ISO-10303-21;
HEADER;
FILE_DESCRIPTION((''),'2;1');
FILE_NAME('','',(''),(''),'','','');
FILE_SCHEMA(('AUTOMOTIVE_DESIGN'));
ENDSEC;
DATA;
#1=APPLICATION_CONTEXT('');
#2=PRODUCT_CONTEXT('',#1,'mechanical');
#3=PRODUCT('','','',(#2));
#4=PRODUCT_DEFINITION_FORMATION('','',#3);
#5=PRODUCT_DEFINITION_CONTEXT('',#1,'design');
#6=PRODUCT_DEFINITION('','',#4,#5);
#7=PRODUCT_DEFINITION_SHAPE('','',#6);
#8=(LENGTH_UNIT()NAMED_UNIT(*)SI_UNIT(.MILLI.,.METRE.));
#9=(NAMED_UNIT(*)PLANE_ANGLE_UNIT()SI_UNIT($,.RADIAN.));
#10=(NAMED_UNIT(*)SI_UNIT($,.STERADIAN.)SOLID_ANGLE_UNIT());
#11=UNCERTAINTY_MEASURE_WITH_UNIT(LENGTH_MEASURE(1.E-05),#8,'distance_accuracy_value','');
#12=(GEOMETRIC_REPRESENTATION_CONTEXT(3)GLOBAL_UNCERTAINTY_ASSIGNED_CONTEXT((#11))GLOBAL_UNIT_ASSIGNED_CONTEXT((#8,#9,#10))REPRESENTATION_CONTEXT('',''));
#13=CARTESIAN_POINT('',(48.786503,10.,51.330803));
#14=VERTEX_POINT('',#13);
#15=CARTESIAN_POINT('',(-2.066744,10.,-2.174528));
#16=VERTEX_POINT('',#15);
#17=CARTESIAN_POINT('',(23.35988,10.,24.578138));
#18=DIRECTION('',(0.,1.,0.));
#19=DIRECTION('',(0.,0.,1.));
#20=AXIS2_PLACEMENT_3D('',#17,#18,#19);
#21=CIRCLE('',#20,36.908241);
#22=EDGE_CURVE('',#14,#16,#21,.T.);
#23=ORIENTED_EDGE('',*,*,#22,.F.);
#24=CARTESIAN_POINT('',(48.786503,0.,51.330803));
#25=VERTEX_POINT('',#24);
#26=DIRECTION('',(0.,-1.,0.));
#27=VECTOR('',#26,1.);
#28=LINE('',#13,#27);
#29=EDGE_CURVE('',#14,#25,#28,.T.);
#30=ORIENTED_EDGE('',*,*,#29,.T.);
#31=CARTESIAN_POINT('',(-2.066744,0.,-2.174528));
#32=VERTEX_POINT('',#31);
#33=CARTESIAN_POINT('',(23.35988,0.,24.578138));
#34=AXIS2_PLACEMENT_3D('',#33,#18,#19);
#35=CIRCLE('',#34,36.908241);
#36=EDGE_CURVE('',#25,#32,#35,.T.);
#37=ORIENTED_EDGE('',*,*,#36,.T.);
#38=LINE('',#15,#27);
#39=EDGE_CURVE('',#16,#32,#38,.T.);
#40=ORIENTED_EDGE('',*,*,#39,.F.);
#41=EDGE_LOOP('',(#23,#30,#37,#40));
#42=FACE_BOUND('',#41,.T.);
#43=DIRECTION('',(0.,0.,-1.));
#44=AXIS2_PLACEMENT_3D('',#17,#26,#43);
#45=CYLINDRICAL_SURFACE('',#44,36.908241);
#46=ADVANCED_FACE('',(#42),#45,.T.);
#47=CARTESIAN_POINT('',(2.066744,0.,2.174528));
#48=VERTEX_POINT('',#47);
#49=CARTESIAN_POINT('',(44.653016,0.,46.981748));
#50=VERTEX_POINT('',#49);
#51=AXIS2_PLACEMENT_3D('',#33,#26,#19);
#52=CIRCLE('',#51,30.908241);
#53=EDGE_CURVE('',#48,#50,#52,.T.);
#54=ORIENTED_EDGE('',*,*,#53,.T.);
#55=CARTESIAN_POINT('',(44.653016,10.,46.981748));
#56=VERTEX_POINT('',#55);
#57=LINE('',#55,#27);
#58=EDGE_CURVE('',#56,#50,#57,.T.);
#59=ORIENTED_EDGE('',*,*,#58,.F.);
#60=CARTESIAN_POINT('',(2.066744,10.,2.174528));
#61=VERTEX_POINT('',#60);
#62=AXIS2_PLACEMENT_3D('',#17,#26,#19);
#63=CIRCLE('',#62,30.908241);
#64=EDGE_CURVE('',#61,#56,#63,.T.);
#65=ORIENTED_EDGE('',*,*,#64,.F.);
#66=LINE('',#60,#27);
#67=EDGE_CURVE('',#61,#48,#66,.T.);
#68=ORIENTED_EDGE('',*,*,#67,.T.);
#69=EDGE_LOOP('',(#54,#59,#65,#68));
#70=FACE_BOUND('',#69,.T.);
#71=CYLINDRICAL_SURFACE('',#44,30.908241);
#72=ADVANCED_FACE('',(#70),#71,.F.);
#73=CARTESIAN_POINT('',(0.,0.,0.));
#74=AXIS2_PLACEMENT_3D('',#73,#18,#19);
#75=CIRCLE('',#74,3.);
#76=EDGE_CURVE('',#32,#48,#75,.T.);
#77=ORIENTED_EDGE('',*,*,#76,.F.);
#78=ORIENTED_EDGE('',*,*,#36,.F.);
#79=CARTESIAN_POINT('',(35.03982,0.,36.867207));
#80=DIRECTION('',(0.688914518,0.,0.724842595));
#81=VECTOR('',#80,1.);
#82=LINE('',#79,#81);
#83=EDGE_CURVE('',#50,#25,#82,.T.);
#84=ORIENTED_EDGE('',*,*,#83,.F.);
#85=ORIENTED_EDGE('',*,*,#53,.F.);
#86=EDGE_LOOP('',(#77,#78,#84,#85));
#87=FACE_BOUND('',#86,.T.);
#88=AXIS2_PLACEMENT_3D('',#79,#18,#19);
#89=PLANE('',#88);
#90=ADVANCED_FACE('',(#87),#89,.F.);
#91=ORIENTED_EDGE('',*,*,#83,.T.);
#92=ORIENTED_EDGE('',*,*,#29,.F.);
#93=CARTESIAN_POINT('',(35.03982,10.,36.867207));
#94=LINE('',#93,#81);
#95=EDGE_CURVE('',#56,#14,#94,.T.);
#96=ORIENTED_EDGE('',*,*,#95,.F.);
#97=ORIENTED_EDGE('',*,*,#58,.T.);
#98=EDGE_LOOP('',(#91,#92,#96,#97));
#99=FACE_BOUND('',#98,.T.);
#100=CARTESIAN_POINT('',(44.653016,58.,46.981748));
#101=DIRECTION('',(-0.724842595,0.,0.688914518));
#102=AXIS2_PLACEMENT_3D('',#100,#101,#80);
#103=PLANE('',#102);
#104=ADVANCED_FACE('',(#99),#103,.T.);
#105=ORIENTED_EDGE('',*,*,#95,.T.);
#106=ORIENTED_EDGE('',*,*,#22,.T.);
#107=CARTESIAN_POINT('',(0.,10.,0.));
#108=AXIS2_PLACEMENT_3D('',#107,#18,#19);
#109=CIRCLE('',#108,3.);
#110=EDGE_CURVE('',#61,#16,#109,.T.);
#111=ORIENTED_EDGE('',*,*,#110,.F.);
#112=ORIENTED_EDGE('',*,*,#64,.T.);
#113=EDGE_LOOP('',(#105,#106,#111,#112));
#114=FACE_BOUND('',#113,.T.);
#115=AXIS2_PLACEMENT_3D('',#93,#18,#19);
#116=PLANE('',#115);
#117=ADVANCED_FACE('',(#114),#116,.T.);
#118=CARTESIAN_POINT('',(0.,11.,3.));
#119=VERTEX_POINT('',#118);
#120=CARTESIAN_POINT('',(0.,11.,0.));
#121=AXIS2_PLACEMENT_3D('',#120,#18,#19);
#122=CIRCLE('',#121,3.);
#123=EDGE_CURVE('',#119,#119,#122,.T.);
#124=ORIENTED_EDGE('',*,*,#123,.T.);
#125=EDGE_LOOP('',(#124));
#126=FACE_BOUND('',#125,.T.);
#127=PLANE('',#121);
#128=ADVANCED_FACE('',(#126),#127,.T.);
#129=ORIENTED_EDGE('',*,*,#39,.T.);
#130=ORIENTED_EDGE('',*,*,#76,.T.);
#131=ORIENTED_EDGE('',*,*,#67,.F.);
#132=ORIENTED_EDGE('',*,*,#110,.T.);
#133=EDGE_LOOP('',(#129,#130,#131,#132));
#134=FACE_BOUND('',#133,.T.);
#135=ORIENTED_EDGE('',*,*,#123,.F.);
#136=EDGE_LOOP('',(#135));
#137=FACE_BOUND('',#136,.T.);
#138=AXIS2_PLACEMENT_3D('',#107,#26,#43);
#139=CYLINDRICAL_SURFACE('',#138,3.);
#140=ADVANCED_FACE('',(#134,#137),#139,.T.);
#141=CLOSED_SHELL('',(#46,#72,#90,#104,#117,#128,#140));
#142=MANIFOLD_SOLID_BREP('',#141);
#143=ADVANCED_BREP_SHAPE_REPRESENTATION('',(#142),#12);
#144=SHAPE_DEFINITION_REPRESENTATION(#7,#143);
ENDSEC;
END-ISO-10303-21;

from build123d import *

# Parameters (mm, degrees)
BOSS_EXTRUDE8_DEPTH     = 10
SKETCH17_R              = 3
BOSS_EXTRUDE9_DEPTH     = 1
CUT_EXTRUDE3_DEPTH      = 48
CUT_EXTRUDE3_DEPTH_BACK = 52


with BuildPart() as part:
    # Sketch15 → Boss-Extrude8 (new body)
    with BuildSketch(Plane(origin=(0, 0, 0), x_dir=(1, 0, 0), z_dir=(0, 1, 0))):
        with BuildLine():
            ThreePointArc((48.786503152, -51.330803164), (50.112545273, 0.848485663), (-2.066743554, 2.174527784))
            ThreePointArc((-2.066743554, 2.174527784), (-2.174527784, -2.066743554), (2.066743554, -2.174527784))
            ThreePointArc((2.066743554, -2.174527784), (45.763489705, -3.285001446), (44.653016043, -46.981747597))
            ThreePointArc((44.653016043, -46.981747597), (44.545231814, -51.223018935), (48.786503152, -51.330803164))
        make_face()
    extrude(amount=BOSS_EXTRUDE8_DEPTH)

    # Sketch17 → Boss-Extrude9 (add)
    with BuildSketch(Plane(origin=(0, 10, 0), x_dir=(1, 0, 0), z_dir=(0, 1, 0))):
        with Locations(Location((0, 0, 0), (0, 0, 133.544244871))):
            Circle(SKETCH17_R)
    extrude(amount=BOSS_EXTRUDE9_DEPTH)

    # Sketch18 → Cut-Extrude3 (cut, two sides: drawn at the far end of the back side and taken through both)
    with BuildSketch(Plane(origin=(0, 10, 0), x_dir=(1, 0, 0), z_dir=(0, 1, 0)).offset(-CUT_EXTRUDE3_DEPTH_BACK)):
        with BuildLine():
            Line((44.653016043, -46.981747597), (48.786503152, -51.330803164))
            ThreePointArc((48.786503152, -51.330803164), (46.643544638, -52.155307104), (44.545231814, -51.223018935))
            ThreePointArc((44.545231814, -51.223018935), (43.720727874, -49.080060421), (44.653016043, -46.981747597))
        make_face()
    extrude(amount=CUT_EXTRUDE3_DEPTH + CUT_EXTRUDE3_DEPTH_BACK, mode=Mode.SUBTRACT)


solid = part.part
